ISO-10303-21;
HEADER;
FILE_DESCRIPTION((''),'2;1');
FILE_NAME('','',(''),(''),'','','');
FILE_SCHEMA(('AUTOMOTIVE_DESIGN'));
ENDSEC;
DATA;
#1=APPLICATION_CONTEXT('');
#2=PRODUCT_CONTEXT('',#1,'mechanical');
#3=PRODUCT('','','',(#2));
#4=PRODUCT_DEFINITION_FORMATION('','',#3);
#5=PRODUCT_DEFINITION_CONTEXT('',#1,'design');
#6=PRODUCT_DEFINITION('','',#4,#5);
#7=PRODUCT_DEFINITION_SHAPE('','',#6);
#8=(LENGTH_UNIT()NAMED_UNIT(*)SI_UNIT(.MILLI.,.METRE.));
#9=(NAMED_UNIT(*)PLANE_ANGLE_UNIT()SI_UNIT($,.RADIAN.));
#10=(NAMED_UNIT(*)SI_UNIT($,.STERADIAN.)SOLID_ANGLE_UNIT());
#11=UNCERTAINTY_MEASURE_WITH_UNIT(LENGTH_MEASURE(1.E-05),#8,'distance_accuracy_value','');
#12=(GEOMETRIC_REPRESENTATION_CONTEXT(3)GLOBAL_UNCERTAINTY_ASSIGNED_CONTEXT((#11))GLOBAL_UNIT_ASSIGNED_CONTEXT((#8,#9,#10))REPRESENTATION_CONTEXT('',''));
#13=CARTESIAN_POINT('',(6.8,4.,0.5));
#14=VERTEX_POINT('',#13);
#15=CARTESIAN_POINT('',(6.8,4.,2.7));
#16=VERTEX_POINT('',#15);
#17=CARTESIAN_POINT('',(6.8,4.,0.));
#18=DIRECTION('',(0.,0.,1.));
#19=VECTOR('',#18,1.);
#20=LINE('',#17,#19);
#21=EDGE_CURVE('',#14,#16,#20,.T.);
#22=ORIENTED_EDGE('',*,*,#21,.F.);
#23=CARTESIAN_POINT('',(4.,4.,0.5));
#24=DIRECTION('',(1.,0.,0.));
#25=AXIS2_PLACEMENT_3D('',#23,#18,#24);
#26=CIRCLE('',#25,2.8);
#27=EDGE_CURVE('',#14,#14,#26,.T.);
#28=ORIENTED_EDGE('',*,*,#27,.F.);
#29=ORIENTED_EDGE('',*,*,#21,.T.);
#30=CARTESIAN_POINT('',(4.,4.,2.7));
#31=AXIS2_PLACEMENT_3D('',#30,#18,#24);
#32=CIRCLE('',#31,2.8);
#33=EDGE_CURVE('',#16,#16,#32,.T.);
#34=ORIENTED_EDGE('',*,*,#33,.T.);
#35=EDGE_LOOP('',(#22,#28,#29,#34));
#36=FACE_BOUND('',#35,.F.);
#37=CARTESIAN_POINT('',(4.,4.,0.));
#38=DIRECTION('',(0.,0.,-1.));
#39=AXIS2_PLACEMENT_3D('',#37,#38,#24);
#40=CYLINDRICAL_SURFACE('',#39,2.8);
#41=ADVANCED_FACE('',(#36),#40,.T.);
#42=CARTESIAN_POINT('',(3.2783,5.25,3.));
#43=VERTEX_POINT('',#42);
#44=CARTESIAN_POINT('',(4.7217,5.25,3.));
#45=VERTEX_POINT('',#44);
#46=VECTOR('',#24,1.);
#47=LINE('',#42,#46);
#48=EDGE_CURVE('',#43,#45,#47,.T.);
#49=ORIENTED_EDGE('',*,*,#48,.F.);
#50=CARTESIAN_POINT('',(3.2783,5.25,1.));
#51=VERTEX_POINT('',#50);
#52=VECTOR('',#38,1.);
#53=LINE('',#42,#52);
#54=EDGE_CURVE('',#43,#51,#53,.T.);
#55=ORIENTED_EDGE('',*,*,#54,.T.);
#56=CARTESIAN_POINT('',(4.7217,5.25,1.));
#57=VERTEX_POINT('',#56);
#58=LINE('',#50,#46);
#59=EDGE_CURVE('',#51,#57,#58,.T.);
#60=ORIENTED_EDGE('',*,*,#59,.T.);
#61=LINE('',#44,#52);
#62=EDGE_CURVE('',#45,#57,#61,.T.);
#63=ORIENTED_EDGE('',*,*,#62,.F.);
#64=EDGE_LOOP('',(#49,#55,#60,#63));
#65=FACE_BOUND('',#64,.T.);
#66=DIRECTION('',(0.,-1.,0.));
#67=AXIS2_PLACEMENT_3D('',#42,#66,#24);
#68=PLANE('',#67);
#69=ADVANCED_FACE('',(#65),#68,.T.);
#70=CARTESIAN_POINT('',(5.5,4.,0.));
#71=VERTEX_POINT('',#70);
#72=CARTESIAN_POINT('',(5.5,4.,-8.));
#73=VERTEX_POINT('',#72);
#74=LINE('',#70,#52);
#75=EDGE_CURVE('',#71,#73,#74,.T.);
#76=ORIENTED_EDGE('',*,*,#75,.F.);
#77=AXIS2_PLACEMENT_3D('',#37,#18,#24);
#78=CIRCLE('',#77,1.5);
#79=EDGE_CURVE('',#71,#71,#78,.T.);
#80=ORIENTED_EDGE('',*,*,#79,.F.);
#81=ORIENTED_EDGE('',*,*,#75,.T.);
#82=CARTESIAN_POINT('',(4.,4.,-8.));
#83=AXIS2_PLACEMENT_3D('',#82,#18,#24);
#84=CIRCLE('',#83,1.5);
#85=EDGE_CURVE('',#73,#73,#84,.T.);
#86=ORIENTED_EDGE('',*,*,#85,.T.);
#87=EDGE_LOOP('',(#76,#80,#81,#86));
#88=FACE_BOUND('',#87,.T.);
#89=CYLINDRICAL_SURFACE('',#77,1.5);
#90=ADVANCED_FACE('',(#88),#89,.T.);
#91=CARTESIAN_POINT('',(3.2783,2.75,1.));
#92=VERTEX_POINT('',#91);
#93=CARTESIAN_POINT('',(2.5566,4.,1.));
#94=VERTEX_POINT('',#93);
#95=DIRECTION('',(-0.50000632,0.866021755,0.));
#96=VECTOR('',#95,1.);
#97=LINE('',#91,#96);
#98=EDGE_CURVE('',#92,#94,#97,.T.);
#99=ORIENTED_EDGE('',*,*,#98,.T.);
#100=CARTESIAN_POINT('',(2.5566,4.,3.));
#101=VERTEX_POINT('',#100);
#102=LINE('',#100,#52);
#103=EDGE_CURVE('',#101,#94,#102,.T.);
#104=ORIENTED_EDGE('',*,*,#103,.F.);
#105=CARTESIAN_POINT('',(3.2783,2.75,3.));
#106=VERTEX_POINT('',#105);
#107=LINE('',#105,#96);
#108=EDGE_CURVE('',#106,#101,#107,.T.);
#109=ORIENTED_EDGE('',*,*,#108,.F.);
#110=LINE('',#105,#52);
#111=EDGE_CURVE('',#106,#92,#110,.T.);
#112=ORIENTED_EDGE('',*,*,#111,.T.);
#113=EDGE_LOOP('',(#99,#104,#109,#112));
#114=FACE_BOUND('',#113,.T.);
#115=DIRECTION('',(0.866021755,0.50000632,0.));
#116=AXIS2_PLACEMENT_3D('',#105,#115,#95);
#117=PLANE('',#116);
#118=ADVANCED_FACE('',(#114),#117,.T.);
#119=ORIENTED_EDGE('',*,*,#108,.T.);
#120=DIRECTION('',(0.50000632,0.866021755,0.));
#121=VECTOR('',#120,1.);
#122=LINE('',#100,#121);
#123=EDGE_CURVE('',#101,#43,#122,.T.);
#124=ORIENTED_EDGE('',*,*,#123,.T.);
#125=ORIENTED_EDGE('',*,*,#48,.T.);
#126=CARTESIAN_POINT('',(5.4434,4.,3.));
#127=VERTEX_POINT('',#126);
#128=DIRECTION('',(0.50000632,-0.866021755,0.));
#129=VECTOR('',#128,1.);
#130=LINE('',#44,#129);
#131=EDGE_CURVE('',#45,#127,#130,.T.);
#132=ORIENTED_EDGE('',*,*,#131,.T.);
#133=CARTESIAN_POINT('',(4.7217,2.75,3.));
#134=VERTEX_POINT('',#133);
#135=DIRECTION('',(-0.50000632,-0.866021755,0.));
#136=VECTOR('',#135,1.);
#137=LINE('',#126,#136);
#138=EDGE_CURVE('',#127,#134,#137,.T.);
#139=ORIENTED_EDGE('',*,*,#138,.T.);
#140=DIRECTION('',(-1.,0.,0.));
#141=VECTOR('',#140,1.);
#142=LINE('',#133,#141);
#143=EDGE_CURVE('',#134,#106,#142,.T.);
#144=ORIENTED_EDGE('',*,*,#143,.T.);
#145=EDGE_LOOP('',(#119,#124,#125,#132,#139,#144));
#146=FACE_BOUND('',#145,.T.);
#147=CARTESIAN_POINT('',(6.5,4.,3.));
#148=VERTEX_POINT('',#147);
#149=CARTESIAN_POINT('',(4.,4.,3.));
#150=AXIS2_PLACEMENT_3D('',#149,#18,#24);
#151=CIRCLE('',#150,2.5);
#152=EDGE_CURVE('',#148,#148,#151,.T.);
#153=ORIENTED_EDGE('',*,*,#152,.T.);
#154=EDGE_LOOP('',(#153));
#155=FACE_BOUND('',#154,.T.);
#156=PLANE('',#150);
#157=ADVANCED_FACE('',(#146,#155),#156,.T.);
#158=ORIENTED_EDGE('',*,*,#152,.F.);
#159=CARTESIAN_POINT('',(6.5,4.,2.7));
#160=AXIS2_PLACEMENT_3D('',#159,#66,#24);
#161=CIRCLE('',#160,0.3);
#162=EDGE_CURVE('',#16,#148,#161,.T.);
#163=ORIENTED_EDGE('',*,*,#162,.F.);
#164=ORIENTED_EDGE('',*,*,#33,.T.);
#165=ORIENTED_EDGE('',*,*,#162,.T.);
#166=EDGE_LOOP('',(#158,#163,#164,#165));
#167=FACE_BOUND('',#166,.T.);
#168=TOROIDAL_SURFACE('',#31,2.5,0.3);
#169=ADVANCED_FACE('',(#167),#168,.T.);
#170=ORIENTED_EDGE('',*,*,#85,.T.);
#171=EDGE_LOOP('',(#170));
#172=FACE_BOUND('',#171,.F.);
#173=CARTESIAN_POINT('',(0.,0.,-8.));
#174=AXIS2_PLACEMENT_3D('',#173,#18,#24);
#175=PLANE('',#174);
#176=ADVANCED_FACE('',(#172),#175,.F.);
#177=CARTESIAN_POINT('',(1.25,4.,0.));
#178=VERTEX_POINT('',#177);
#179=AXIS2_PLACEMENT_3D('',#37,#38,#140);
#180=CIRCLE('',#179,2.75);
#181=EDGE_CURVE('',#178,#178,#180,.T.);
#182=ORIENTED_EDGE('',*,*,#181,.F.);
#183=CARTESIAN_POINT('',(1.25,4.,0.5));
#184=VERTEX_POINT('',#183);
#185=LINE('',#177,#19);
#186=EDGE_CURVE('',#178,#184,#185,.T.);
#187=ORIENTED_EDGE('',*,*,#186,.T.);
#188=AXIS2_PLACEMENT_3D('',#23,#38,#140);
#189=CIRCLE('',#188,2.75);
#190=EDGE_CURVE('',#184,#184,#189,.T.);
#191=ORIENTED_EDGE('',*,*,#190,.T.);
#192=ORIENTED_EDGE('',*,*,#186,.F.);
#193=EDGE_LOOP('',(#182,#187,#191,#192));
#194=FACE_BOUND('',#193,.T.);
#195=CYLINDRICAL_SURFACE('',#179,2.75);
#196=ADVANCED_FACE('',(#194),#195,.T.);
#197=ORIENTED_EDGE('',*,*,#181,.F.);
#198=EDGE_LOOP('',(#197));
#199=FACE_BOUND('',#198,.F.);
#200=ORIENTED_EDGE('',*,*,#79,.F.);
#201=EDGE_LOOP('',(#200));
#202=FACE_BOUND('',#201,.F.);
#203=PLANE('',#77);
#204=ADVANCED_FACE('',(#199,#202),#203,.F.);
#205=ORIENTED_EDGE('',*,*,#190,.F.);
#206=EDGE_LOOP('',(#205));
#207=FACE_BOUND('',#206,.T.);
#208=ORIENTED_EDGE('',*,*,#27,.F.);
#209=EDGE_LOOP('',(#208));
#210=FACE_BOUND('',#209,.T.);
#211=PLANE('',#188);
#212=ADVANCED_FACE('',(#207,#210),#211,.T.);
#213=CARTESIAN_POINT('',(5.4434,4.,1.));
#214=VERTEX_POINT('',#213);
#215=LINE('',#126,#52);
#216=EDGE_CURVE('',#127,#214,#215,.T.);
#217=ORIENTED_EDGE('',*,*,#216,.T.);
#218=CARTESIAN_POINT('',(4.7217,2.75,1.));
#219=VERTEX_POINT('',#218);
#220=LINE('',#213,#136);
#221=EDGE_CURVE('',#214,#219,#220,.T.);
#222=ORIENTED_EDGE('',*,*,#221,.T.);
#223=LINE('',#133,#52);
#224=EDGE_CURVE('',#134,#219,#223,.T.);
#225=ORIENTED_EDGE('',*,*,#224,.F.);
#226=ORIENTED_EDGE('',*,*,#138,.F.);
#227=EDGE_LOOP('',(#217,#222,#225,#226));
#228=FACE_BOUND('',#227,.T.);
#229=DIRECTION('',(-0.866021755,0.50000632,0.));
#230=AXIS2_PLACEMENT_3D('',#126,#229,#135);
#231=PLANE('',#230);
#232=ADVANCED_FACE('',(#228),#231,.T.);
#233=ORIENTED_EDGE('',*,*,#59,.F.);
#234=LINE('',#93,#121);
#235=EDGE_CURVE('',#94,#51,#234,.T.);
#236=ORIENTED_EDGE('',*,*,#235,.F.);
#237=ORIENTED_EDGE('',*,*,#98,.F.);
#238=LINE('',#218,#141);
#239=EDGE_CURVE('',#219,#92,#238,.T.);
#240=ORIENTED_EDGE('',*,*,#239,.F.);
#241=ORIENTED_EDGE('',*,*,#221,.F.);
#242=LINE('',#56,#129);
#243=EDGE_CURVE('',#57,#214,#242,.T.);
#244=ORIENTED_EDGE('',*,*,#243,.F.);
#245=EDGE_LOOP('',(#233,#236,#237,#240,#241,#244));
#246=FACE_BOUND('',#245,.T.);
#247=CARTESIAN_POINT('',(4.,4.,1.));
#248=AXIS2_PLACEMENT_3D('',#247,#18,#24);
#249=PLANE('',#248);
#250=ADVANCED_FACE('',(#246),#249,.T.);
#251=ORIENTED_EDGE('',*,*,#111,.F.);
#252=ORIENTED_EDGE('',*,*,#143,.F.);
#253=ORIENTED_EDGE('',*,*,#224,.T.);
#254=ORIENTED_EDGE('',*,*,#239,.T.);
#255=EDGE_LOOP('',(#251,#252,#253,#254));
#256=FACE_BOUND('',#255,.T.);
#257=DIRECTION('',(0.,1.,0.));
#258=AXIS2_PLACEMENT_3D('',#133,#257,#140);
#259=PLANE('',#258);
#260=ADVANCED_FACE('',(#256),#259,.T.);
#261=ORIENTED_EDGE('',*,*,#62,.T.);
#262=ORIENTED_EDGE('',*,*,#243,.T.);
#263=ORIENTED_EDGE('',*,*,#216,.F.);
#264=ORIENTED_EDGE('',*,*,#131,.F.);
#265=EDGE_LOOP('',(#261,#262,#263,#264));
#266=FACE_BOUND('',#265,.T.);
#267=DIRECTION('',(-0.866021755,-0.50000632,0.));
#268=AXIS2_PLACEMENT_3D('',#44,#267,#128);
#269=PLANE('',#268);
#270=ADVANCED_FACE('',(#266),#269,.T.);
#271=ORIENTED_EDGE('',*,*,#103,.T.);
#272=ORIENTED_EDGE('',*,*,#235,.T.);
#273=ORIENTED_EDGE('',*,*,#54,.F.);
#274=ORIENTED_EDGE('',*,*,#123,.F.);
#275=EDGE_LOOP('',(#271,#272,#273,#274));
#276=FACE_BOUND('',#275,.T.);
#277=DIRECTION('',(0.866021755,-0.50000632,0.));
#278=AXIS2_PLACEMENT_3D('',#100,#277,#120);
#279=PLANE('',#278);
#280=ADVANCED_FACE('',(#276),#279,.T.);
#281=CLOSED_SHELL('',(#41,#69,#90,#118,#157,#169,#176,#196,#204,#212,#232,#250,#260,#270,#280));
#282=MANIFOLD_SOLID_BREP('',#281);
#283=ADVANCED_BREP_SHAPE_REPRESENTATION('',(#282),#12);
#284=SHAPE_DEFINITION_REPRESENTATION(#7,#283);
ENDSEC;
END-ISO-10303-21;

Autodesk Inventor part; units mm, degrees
ref_plane "YZ Plane" through (0, 0, 0) normal (1, 0, 0) x (0, 1, 0)
ref_plane "XZ Plane" through (0, 0, 0) normal (0, 1, 0) x (-1, 0, 0)
ref_plane "XY Plane" through (0, 0, 0) normal (0, 0, 1) x (1, 0, 0)
sketch "Sketch1" plane through (0, 0, 0) normal (0, 0, 1) x (1, 0, 0)
  circle A0 centre (4, 4) radius 1.2 projected
  circle A1 centre (4, 4) radius 1.5
  point P0 (0, 0)
  dimension "d0" = 3
extrude "Extrusion1" add sketch "Sketch1" against normal blind 8 contours A0 | A1
sketch "Sketch2" plane through (4, 4, 0) normal (0, 0, 1) x (1, 0, 0)
  circle A0 centre (0, 0) radius 1.5 projected
  circle A1 centre (0, 0) radius 2.8
  point P0 (-4, -4)
  dimension "d3" = 5.6
extrude "Extrusion2" add sketch "Sketch2" along normal blind 3 contours A0 | A1
fillet "Fillet1" radius 0.3 1 edges at (1.2, 4, 3)
sketch "Sketch3" plane through (4, 4, 0) normal (0, 0, -1) x (-1, 0, 0)
  circle A0 centre (0, 0) radius 2.8 projected
  circle A1 centre (0, 0) radius 1.5 projected
  circle A2 centre (0, 0) radius 2.75
  point P0 (4, -4)
  dimension "d7" = 5.5
extrude "Extrusion3" cut sketch "Sketch3" against normal blind 0.5 contours A0
sketch "Sketch4" plane through (4, 4, 3) normal (0, 0, 1) x (1, 0, 0)
  circle A0 centre (0, 0) radius 2.5 projected
  line L0 (0.7217, 1.25) -> (1.4434, 0)
  line L1 (1.4434, 0) -> (0.7217, -1.25)
  line L2 (0.7217, -1.25) -> (-0.7217, -1.25)
  line L3 (-0.7217, -1.25) -> (-1.4434, 0)
  line L4 (-1.4434, 0) -> (-0.7217, 1.25)
  line L5 (-0.7217, 1.25) -> (0.7217, 1.25)
  point P0 (-4, -4)
  dimension "d10" = 2.5
extrude "Extrusion4" cut sketch "Sketch4" against normal blind 2 contours L0 L1 L2 L3 L4 L5
thread "Thread1" size "M3x0.5" class "6g" standard "ANSI Metric M Profile" full length
properties part number "m3 6" material "Steel"
